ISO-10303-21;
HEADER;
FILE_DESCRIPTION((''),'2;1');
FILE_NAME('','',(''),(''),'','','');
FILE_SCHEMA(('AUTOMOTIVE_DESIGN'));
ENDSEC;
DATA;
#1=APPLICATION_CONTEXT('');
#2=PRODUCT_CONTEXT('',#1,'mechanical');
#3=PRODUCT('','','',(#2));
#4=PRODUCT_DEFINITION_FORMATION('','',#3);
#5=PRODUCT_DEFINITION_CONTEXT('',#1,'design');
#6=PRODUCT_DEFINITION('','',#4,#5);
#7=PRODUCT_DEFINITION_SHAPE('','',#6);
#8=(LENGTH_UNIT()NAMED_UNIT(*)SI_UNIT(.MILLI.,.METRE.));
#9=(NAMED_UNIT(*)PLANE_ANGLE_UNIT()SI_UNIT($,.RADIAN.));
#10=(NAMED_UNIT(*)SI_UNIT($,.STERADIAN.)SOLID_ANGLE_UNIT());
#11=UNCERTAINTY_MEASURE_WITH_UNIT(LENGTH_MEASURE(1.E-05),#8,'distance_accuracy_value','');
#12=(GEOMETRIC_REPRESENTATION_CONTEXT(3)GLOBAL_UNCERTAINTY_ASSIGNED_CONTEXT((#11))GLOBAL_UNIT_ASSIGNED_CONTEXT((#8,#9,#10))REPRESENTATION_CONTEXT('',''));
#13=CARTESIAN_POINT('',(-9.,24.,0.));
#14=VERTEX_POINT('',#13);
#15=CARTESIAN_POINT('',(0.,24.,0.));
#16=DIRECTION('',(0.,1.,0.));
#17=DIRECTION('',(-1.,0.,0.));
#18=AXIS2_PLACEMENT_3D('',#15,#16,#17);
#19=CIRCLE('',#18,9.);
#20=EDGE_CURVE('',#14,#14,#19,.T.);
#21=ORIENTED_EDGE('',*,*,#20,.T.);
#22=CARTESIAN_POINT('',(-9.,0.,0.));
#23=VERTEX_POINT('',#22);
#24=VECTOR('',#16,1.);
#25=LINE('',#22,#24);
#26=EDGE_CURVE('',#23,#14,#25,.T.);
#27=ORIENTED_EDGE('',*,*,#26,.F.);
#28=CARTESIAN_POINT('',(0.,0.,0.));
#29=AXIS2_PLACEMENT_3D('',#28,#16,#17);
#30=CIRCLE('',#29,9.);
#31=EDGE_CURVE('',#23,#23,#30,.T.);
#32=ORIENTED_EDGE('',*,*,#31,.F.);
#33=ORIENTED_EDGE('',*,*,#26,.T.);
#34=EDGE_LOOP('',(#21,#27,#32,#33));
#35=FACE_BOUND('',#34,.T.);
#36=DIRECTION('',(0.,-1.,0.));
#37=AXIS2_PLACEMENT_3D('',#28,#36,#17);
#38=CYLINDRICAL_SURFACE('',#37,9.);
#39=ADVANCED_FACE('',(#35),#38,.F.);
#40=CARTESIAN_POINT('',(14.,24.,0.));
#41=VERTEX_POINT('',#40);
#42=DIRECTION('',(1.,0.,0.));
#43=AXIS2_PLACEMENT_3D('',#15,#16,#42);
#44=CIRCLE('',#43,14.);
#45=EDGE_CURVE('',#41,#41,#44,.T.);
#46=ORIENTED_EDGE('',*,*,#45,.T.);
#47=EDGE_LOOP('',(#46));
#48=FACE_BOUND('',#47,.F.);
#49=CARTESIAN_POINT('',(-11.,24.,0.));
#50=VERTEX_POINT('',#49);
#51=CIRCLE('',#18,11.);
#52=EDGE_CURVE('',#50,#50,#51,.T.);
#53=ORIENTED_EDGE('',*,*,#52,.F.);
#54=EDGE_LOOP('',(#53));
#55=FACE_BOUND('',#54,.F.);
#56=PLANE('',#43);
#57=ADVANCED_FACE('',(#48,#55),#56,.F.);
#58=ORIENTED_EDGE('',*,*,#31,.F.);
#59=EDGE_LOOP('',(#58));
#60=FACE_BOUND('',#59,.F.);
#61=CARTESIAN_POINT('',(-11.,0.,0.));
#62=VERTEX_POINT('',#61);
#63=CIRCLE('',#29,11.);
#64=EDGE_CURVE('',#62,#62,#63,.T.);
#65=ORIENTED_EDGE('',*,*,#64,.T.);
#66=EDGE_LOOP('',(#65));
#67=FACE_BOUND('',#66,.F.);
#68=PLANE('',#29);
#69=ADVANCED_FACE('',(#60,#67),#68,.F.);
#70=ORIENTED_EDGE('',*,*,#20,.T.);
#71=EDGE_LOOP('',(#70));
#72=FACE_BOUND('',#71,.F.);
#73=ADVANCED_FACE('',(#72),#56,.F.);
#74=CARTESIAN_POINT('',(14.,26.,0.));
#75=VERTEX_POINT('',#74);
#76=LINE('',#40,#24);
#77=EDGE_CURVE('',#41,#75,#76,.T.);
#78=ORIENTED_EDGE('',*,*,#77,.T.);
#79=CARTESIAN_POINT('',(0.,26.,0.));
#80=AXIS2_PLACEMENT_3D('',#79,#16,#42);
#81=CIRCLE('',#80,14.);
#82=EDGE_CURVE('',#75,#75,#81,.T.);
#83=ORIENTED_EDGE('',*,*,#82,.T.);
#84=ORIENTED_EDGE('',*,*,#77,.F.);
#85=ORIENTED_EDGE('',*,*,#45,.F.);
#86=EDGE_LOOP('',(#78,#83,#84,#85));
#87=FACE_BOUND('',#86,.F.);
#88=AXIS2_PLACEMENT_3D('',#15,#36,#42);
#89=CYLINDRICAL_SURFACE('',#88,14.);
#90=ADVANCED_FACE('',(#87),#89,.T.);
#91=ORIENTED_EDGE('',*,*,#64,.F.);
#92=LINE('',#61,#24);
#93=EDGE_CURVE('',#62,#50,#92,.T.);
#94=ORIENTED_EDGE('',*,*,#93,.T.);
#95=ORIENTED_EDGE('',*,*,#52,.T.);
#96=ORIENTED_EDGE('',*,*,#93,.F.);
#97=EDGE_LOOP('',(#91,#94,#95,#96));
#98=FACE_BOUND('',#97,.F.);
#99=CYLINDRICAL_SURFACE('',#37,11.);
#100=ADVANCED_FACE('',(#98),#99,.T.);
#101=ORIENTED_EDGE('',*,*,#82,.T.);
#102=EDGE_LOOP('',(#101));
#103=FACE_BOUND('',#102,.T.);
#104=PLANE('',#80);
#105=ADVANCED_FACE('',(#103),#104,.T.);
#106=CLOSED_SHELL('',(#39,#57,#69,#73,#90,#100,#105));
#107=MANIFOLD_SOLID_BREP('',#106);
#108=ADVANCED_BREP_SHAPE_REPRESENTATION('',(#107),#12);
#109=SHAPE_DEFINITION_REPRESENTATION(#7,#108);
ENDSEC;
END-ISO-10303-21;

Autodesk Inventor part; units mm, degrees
ref_plane "YZ Plane" through (0, 0, 0) normal (1, 0, 0) x (0, 1, 0)
ref_plane "XZ Plane" through (0, 0, 0) normal (0, 1, 0) x (-1, 0, 0)
ref_plane "XY Plane" through (0, 0, 0) normal (0, 0, 1) x (1, 0, 0)
sketch "Szkic1" plane through (0, 0, 0) normal (0, 1, 0) x (-1, 0, 0)
  circle A0 centre (0, 0) radius 11
  circle A1 centre (0, 0) radius 9
  dimension "d0" = 22
  dimension "d1" = 2
extrude "Wyciągnięcie proste1" add sketch "Szkic1" along normal blind 24
sketch "Szkic2" plane through (0, 24, 0) normal (0, 1, 0) x (1, 0, 0)
  circle A0 centre (0, 0) radius 14
  circle A1 centre (0, 0) radius 11 projected
  dimension "d4" = 28
  dimension "d7" = 3
extrude "Wyciągnięcie proste2" add sketch "Szkic2" along normal blind 2 contours A0 | A1
properties part number "tuleja"
